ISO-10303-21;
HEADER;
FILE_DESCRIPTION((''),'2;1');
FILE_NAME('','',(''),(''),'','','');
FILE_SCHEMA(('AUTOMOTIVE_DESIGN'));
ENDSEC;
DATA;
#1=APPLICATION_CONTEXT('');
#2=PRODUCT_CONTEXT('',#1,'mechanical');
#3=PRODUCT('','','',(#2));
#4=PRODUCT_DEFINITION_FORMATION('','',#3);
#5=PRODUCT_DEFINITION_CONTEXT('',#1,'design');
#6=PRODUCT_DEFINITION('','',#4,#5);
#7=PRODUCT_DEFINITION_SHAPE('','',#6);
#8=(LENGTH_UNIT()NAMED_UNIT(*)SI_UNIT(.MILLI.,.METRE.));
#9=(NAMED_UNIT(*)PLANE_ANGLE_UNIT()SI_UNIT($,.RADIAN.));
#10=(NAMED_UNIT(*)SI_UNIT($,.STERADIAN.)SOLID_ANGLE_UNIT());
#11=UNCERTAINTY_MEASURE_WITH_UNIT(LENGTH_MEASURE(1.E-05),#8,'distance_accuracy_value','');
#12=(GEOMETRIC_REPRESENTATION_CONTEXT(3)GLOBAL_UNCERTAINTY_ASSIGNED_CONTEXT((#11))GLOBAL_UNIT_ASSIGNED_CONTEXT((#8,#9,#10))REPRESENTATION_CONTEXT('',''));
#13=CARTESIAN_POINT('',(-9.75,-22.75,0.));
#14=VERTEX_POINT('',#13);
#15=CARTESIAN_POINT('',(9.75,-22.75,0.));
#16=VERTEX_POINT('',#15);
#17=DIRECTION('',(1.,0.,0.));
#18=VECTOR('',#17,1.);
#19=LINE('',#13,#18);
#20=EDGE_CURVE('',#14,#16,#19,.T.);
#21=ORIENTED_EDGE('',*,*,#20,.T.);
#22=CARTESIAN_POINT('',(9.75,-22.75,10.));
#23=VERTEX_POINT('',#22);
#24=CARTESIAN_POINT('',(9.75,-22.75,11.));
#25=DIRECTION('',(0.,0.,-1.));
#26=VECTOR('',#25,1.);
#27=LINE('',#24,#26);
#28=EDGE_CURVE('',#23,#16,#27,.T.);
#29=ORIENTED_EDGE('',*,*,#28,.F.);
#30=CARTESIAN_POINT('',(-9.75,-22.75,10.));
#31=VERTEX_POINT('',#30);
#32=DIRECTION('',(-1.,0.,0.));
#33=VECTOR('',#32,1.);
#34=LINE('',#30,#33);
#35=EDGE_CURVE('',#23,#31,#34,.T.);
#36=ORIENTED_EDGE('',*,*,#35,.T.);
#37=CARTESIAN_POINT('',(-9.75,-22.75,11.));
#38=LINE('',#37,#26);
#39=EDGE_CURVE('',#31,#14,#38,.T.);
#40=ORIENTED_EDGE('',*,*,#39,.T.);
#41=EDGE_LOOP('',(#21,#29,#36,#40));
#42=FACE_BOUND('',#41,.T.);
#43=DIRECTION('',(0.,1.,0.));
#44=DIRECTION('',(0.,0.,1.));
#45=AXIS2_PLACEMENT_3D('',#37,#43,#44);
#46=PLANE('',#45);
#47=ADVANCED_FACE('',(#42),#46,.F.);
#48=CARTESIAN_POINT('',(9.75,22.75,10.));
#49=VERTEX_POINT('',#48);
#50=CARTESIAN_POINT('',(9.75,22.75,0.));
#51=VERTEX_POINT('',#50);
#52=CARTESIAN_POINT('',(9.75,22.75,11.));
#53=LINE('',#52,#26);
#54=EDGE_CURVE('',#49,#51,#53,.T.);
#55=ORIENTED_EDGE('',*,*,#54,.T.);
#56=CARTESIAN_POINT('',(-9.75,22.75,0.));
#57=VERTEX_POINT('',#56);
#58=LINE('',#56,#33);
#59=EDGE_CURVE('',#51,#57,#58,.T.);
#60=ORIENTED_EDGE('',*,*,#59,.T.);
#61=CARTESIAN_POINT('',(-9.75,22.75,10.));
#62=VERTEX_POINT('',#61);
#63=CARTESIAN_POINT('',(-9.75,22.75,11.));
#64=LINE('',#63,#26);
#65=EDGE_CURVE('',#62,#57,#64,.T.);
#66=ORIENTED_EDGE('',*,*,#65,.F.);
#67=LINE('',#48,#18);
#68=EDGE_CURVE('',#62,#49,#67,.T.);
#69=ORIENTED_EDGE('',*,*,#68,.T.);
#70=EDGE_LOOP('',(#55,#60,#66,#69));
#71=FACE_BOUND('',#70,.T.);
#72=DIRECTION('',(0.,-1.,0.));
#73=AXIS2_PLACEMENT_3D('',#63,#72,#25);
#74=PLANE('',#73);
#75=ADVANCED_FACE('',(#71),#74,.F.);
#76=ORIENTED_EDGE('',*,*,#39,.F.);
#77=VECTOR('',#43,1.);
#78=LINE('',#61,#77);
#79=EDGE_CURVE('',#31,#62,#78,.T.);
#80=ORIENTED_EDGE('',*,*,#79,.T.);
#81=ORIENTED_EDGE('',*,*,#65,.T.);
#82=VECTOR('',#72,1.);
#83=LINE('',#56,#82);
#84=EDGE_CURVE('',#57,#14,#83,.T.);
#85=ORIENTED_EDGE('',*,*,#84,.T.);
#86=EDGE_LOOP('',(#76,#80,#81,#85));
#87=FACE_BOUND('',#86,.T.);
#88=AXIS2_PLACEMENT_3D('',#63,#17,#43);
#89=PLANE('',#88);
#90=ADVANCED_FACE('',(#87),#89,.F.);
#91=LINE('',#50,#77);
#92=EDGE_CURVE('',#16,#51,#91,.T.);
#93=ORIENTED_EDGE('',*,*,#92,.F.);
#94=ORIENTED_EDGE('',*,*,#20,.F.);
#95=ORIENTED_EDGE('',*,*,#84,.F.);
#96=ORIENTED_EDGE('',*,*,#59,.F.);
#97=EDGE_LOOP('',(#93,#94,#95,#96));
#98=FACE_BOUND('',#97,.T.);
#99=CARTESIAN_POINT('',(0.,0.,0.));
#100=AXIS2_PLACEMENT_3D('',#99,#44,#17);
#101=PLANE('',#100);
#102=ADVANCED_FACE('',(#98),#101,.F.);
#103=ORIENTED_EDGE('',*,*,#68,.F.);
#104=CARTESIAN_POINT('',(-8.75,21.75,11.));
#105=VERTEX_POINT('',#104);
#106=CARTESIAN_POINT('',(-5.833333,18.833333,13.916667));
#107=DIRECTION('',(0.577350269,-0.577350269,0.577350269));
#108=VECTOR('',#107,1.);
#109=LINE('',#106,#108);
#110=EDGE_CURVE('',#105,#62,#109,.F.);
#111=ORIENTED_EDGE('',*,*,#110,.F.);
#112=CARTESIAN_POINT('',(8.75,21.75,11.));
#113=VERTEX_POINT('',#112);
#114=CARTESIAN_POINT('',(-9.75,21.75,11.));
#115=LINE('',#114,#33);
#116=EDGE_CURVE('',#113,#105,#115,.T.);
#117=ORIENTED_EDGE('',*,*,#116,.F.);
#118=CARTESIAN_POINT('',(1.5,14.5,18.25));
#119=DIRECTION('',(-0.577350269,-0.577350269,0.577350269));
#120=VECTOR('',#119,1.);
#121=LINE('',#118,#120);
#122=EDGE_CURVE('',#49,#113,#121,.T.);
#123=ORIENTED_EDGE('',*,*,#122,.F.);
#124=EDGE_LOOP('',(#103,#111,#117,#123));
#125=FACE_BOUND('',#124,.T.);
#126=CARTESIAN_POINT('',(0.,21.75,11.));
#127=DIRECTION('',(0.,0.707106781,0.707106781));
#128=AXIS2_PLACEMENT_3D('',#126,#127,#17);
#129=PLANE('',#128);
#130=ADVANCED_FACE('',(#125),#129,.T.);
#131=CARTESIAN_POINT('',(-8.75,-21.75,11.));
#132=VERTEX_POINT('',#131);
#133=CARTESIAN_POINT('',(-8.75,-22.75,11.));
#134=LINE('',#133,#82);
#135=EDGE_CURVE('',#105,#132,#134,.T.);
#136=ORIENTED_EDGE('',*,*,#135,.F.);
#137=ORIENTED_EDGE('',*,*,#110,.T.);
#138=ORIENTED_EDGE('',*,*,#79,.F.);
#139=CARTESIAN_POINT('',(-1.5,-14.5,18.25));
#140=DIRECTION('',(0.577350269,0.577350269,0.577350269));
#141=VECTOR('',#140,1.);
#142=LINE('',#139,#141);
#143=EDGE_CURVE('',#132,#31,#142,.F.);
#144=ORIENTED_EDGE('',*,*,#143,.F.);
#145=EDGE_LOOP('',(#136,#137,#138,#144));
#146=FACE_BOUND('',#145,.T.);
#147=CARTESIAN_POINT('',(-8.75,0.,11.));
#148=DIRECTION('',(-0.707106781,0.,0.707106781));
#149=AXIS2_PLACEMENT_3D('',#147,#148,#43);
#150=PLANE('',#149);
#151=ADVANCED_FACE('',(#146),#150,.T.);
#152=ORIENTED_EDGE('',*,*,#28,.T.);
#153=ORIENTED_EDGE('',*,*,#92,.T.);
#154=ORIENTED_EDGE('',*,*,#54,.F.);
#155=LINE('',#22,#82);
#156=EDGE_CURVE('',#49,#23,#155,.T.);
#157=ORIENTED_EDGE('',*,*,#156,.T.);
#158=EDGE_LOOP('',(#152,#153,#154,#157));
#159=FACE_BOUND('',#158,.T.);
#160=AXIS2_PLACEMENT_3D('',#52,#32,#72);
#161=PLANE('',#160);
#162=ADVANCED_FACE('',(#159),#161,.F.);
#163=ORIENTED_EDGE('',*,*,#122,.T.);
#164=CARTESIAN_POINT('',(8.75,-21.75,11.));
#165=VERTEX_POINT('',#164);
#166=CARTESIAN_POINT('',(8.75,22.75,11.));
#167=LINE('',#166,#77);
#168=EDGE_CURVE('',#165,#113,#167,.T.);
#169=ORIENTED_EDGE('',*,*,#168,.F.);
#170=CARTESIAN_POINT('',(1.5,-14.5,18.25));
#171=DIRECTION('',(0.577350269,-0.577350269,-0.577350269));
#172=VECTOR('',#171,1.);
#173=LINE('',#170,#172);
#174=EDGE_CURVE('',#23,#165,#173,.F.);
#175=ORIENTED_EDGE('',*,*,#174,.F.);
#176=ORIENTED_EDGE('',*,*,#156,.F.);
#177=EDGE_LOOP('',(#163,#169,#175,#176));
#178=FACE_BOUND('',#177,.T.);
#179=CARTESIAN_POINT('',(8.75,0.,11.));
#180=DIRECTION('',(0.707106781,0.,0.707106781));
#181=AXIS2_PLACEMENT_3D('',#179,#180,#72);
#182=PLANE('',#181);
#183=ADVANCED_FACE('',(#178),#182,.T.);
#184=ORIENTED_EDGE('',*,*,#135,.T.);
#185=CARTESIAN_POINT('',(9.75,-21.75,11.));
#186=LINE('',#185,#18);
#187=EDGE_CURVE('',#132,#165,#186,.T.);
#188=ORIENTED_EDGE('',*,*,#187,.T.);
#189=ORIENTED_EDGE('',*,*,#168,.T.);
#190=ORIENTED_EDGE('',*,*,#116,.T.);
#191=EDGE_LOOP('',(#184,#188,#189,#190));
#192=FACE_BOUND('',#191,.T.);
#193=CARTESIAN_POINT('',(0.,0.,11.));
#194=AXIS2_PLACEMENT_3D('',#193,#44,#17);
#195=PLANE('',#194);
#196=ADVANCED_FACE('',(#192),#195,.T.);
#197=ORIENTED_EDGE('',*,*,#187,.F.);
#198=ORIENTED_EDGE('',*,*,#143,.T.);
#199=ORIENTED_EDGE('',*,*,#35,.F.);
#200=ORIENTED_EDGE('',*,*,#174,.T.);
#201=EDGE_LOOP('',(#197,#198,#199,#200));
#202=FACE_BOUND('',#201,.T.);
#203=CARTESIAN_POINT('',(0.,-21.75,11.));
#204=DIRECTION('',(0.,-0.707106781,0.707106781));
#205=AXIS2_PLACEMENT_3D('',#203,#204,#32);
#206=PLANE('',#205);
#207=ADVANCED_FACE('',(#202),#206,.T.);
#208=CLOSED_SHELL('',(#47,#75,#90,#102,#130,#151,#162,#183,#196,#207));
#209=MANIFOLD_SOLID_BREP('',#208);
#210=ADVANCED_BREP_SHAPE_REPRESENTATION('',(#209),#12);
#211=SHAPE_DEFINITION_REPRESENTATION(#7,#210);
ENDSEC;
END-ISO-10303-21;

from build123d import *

# Parameters (mm, degrees)
SKETCH1_W           = 19.5
SKETCH1_H           = 45.5
BOSS_EXTRUDE1_DEPTH = 11
CHAMFER1_SIZE       = 1


with BuildPart() as part:
    # Sketch1 → Boss-Extrude1 (new body)
    with BuildSketch(Plane.XY):
        Rectangle(SKETCH1_W, SKETCH1_H)
    extrude(amount=BOSS_EXTRUDE1_DEPTH)

    # Chamfer1
    chamfer1_edges = [part.edges().sort_by_distance(p)[0] for p in [
        (-9.75, 0, 11),
        (0, -22.75, 11),
        (9.75, 0, 11),
        (0, 22.75, 11),
    ]]
    chamfer(chamfer1_edges, length=CHAMFER1_SIZE)


solid = part.part
